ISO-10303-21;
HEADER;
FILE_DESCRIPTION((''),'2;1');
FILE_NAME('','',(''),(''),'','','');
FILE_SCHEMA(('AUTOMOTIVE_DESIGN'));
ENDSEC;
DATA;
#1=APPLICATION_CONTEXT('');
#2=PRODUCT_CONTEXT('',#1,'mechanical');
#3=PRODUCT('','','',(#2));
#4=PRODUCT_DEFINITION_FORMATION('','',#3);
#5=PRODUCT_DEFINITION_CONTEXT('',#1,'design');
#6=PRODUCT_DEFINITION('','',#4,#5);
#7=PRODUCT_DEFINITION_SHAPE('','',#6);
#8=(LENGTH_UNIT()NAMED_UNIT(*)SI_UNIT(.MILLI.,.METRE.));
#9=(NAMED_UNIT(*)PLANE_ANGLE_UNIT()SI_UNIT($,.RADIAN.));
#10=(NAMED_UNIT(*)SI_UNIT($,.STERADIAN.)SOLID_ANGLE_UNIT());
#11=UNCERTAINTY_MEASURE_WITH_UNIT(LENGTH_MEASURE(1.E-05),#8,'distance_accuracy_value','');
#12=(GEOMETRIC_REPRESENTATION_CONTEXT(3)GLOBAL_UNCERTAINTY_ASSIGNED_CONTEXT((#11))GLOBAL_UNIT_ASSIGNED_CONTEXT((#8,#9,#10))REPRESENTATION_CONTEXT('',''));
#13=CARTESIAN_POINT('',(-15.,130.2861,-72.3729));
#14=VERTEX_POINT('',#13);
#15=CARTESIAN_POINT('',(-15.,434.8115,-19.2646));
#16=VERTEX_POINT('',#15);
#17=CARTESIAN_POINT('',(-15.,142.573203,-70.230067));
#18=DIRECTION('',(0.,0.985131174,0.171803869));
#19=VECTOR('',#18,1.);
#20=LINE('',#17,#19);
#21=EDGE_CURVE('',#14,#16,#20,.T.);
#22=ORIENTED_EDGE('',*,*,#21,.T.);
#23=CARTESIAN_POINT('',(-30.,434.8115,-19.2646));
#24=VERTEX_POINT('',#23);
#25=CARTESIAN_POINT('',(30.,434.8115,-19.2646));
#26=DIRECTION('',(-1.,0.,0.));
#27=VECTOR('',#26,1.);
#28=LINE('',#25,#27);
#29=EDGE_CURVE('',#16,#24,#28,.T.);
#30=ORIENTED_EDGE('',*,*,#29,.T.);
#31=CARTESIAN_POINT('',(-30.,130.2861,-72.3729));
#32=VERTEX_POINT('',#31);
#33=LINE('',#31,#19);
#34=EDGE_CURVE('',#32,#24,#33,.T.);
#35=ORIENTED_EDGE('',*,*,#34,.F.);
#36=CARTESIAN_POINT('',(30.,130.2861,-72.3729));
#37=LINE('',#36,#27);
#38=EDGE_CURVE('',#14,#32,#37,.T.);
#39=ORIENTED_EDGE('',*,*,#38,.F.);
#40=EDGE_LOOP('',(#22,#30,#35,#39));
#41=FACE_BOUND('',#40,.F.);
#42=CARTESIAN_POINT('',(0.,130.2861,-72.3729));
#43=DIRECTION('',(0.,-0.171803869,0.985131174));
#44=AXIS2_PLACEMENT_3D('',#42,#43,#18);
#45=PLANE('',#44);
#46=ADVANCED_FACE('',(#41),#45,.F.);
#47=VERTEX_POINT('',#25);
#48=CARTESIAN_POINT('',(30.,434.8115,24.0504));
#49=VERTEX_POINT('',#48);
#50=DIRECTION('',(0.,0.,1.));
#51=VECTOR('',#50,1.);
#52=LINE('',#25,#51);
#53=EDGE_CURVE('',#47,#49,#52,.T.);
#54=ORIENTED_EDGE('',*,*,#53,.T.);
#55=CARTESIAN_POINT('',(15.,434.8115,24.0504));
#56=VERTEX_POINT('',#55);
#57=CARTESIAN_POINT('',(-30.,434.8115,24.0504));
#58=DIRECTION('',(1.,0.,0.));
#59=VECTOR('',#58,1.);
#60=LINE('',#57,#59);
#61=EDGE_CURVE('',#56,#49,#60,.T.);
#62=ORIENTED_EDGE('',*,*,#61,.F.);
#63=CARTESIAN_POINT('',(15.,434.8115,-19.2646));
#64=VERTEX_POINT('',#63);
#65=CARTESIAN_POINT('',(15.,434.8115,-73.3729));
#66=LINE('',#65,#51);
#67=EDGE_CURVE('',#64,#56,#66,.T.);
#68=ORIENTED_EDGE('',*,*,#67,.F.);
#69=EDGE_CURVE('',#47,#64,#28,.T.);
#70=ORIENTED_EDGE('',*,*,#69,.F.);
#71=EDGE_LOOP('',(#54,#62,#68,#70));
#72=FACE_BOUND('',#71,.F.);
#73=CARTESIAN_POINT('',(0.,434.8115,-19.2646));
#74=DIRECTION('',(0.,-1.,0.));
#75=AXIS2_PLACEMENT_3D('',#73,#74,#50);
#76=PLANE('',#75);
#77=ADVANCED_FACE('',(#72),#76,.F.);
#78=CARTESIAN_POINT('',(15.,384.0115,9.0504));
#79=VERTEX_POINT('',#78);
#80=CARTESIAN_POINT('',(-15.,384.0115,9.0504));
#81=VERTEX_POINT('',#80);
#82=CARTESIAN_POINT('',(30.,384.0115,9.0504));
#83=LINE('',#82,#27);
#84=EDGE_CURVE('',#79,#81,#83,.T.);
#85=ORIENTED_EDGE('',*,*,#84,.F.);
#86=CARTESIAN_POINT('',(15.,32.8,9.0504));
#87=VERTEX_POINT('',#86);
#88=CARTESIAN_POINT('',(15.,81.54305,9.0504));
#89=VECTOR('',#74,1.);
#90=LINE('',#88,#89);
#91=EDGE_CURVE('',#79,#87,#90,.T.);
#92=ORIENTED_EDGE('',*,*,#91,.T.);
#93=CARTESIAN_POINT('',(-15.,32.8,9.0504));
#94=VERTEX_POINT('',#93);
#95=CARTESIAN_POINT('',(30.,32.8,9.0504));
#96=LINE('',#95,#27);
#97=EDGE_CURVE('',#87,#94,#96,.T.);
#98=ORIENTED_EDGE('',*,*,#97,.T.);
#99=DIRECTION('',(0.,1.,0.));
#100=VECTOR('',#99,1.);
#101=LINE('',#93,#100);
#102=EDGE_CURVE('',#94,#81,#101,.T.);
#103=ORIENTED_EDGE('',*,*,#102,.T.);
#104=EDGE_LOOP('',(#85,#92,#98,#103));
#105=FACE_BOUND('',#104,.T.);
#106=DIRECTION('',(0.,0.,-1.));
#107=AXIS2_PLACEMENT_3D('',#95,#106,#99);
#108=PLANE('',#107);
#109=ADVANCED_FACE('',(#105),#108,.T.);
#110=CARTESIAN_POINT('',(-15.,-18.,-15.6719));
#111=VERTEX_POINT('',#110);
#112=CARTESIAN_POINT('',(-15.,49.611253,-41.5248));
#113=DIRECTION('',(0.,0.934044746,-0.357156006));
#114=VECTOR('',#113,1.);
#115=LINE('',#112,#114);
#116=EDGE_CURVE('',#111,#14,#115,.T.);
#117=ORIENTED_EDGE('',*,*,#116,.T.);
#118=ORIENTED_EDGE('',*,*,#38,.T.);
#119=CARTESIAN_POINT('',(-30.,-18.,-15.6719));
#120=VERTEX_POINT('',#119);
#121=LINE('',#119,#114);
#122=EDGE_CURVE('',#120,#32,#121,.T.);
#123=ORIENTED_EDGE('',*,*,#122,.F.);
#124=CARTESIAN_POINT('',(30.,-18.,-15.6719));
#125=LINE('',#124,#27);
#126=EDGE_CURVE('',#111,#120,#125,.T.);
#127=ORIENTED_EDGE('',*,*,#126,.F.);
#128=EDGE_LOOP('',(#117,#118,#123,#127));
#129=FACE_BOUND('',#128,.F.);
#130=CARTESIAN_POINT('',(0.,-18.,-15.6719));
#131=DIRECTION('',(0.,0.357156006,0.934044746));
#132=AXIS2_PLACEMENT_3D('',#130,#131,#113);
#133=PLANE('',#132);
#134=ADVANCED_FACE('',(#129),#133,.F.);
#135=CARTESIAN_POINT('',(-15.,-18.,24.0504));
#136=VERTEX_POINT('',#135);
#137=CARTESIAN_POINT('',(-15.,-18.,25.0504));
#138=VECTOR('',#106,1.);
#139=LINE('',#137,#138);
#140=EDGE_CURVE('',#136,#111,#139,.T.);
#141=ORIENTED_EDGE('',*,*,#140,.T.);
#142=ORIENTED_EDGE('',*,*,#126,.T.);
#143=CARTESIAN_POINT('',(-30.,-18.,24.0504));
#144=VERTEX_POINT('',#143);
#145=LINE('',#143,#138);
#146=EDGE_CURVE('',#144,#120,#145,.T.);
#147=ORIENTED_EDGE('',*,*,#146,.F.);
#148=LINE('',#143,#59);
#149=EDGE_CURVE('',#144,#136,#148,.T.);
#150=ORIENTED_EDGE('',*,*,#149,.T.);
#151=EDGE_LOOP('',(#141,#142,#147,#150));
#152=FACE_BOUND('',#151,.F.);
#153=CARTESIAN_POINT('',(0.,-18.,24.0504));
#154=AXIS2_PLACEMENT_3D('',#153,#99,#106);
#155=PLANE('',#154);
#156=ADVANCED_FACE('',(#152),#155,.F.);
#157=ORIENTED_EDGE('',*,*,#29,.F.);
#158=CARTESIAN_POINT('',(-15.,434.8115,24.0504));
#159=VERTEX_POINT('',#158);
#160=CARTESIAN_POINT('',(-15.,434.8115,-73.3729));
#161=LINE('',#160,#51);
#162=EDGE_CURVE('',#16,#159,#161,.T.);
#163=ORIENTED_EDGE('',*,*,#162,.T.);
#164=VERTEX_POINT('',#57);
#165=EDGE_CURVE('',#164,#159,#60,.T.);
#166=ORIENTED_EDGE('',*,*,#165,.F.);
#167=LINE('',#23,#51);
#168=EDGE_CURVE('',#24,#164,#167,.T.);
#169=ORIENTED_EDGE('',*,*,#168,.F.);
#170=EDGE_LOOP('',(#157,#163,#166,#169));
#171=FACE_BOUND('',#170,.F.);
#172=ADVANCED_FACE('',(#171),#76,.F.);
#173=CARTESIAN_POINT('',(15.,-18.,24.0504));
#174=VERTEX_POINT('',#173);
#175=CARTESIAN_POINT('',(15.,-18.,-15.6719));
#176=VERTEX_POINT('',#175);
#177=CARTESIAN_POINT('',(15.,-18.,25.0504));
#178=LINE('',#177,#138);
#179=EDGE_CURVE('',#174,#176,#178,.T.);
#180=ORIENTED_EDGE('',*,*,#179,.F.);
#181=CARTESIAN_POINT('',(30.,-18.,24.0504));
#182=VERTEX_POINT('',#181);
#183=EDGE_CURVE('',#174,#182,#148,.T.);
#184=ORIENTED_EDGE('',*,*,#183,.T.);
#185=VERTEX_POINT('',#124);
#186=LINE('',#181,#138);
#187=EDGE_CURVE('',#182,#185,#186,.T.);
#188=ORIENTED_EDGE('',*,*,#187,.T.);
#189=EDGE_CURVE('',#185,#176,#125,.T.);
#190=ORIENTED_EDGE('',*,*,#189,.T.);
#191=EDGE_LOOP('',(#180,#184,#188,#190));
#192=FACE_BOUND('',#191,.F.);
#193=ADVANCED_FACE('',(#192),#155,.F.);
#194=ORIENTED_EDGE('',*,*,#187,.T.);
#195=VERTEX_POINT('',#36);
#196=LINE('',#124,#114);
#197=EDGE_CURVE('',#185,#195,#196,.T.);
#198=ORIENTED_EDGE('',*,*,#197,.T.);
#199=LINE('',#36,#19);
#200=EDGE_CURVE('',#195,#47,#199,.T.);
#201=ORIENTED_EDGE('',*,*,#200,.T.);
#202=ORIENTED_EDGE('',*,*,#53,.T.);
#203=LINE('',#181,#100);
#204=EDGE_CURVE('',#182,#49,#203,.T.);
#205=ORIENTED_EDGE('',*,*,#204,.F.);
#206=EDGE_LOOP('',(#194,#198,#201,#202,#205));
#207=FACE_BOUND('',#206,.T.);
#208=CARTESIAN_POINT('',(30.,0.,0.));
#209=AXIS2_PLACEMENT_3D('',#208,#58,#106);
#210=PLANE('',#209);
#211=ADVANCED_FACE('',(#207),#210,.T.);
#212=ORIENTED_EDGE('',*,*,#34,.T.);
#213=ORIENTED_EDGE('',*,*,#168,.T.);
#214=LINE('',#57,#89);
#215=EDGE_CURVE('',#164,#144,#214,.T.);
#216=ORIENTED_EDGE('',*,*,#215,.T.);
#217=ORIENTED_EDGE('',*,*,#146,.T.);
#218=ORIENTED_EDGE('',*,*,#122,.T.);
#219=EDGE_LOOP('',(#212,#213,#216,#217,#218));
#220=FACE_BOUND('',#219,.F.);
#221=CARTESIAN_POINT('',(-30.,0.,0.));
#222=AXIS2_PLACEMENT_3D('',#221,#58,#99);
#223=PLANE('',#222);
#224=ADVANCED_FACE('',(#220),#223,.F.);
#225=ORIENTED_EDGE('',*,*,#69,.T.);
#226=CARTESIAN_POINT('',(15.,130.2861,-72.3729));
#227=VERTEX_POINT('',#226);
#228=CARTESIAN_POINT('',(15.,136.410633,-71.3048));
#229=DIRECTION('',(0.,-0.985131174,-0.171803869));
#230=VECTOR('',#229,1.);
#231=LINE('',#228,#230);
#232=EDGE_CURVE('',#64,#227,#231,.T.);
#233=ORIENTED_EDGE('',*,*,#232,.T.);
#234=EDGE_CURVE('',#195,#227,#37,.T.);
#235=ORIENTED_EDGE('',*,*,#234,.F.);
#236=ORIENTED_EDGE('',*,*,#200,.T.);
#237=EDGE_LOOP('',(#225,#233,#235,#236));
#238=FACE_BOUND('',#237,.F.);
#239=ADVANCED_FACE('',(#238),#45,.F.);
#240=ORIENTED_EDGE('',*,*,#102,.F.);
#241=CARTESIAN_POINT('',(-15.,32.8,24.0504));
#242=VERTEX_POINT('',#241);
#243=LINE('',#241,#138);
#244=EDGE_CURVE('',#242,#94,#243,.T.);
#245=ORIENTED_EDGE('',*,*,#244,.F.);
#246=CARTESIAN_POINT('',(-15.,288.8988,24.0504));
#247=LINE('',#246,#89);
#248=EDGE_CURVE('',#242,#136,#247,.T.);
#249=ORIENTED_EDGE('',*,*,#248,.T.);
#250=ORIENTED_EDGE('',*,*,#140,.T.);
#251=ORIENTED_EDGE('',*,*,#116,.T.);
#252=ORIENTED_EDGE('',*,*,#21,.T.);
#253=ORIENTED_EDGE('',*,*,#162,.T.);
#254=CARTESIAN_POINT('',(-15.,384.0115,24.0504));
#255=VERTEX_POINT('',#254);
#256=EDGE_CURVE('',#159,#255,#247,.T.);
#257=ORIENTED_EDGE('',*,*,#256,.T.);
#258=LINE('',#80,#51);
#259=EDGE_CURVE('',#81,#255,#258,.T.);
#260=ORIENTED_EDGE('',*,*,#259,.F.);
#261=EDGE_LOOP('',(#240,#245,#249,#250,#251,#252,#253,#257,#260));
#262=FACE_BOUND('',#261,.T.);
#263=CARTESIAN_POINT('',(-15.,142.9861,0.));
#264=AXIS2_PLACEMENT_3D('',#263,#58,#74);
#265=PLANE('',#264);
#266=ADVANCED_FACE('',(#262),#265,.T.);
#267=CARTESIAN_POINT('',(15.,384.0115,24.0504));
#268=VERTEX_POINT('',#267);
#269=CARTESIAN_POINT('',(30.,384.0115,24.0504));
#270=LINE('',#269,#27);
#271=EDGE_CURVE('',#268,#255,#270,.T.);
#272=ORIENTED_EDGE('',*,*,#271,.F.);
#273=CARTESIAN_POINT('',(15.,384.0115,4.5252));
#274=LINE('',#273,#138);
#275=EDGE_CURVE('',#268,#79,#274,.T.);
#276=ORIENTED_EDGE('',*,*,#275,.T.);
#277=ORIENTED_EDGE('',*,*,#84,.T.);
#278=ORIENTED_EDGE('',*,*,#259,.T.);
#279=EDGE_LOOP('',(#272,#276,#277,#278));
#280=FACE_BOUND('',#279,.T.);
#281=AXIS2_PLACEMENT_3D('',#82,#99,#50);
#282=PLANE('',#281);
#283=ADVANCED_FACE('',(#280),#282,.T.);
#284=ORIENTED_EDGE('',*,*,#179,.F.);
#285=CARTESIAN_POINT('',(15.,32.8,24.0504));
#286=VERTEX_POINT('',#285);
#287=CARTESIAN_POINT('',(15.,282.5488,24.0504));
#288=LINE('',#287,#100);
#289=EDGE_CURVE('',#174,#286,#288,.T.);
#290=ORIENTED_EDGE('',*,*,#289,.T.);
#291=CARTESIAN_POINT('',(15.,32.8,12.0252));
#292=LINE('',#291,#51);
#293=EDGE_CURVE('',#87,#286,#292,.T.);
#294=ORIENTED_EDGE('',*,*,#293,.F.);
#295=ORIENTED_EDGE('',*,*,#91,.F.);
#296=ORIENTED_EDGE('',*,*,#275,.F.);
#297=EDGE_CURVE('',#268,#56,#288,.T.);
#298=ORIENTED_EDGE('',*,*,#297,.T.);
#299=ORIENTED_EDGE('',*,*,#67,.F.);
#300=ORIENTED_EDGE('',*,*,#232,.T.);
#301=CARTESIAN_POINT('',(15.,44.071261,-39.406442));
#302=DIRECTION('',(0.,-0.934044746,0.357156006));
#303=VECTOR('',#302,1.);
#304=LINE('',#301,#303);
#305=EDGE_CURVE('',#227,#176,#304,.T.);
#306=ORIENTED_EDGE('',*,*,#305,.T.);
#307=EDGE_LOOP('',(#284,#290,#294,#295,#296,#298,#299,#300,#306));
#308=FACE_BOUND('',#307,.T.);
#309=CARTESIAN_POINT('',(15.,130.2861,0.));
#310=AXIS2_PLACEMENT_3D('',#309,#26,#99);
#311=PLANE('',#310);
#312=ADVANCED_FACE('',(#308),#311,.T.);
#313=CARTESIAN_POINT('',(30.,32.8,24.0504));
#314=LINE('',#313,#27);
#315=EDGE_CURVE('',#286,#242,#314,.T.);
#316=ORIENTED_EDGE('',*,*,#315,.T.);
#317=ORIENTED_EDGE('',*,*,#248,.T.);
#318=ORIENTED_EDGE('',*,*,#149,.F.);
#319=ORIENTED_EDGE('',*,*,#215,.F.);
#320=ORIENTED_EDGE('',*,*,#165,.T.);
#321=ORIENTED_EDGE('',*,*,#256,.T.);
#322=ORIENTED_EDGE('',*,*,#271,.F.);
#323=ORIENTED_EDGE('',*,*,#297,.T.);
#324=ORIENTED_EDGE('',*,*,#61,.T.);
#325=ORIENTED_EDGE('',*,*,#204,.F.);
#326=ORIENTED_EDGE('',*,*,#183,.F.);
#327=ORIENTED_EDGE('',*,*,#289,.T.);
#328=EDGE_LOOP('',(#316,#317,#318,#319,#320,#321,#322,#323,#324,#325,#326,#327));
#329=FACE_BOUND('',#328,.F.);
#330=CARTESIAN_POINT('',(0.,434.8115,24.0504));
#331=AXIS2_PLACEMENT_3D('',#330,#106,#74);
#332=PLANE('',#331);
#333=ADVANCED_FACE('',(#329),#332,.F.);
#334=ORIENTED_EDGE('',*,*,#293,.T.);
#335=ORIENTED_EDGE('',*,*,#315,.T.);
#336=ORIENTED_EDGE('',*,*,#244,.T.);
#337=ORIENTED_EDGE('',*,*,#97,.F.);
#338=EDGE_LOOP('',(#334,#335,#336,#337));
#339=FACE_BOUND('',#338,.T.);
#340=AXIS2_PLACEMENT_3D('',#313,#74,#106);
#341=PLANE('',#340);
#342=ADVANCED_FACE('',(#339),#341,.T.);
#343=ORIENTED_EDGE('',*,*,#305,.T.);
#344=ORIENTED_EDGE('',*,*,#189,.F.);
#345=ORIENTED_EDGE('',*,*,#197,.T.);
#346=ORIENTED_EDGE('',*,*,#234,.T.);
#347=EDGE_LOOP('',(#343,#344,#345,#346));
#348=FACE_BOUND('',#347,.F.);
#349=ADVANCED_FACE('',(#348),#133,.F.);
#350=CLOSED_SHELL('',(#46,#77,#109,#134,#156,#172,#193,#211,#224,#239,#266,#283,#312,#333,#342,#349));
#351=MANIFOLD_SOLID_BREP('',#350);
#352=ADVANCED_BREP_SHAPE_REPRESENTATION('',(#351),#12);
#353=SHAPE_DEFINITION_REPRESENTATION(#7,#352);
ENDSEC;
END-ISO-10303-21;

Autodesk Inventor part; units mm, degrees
ref_plane "YZ Plane" through (0, 0, 0) normal (1, 0, 0) x (0, 1, 0)
ref_plane "XZ Plane" through (0, 0, 0) normal (0, 1, 0) x (-1, 0, 0)
ref_plane "XY Plane" through (0, 0, 0) normal (0, 0, 1) x (1, 0, 0)
sketch "BoundingBox" plane through (0, 0, 0) normal (1, 0, 0) x (0, 1, 0)
  line L0 (434.8115, 24.0504) -> (-18, 24.0504)
  line L1 (-18, 24.0504) -> (-18, -15.6719)
  line L2 (-18, -15.6719) -> (130.2861, -72.3729)
  line L3 (130.2861, -72.3729) -> (434.8115, -19.2646)
  line L4 (434.8115, -19.2646) -> (434.8115, 24.0504)
  point P0 (0, 0)
  point P1 (417.3115, 0.6447)
  point P2 (-18, 4.1892)
  dimension "d5" = 24.0504
  dimension "d6" = 4.1893
  dimension "d7" = 110.926
  dimension "d8" = 452.8115
  dimension "d9" = 39.7223
  dimension "d10" = 43.315
  dimension "d11" = 99.893
  dimension "d12" = 56.7009
  dimension "d13" = 17.5
  dimension "d14" = 23.4057
extrude "BoundingBoxFeature" add sketch "BoundingBox" along normal mid plane 60
sketch "ForearmSpace" plane through (0, 0, 0) normal (0, 0, 1) x (1, 0, 0)
  line L0 (15, 142.9861) -> (-15, 142.9861)
  line L1 (-15, 142.9861) -> (-15, 434.8115)
  line L2 (-15, 434.8115) -> (15, 434.8115)
  line L3 (15, 434.8115) -> (15, 142.9861)
  line L4 (-30, 434.8115) -> (30, 434.8115) projected
  line L5 (0, -86.9623) -> (0, 521.7738) projected
  line L6 (30, 130.2861) -> (30, 434.8115) projected
  line L7 (-30, 130.2861) -> (30, 130.2861) projected
  line L8 (-30, 434.8115) -> (-30, 130.2861) projected
  line L9 (15, 142.9861) -> (-15, 142.9861)
  line L10 (-15, 142.9861) -> (-15, -18)
  line L11 (-15, -18) -> (15, -18)
  line L12 (15, -18) -> (15, 142.9861)
  line L13 (-30, -18) -> (30, -18) projected
  point P0 (0, 0)
  point P1 (-30, 282.5488)
  point P2 (0, 142.9861)
  dimension "d19" = 12.7
  dimension "d21" = 30
extrude "ForearmCutFeature" cut sketch "ForearmSpace" along normal through all both and the other way through all contours L12 L7 L5 L0 | L0 L5 L2 L3 | L5 L7 L10 L0 | L0 L1 L2 L5 | L12 L11 L5 L7 | L5 L11 L10 L7
sketch "Sketch4" plane through (30, 0, 0) normal (1, 0, 0) x (0, 0, -1)
  line L0 (-24.0504, 434.8115) -> (-24.0504, -18) projected
  line L1 (-24.0504, 32.8) -> (-9.0504, 32.8)
  line L2 (-9.0504, 32.8) -> (-9.0504, 384.0115)
  line L3 (-9.0504, 384.0115) -> (-24.0504, 384.0115)
  line L4 (-24.0504, 384.0115) -> (-24.0504, 32.8)
  line L5 (-24.0504, -18) -> (15.6719, -18) projected
  line L6 (19.2646, 434.8115) -> (-24.0504, 434.8115) projected
  point P0 (0, 0)
  dimension "d25" = 15
  dimension "d26" = 50.8
  dimension "d27" = 50.8
extrude "Extrusion3" add sketch "Sketch4" against normal up to surface (45 mm away)
properties part number "UpperArmBoundingBox"
